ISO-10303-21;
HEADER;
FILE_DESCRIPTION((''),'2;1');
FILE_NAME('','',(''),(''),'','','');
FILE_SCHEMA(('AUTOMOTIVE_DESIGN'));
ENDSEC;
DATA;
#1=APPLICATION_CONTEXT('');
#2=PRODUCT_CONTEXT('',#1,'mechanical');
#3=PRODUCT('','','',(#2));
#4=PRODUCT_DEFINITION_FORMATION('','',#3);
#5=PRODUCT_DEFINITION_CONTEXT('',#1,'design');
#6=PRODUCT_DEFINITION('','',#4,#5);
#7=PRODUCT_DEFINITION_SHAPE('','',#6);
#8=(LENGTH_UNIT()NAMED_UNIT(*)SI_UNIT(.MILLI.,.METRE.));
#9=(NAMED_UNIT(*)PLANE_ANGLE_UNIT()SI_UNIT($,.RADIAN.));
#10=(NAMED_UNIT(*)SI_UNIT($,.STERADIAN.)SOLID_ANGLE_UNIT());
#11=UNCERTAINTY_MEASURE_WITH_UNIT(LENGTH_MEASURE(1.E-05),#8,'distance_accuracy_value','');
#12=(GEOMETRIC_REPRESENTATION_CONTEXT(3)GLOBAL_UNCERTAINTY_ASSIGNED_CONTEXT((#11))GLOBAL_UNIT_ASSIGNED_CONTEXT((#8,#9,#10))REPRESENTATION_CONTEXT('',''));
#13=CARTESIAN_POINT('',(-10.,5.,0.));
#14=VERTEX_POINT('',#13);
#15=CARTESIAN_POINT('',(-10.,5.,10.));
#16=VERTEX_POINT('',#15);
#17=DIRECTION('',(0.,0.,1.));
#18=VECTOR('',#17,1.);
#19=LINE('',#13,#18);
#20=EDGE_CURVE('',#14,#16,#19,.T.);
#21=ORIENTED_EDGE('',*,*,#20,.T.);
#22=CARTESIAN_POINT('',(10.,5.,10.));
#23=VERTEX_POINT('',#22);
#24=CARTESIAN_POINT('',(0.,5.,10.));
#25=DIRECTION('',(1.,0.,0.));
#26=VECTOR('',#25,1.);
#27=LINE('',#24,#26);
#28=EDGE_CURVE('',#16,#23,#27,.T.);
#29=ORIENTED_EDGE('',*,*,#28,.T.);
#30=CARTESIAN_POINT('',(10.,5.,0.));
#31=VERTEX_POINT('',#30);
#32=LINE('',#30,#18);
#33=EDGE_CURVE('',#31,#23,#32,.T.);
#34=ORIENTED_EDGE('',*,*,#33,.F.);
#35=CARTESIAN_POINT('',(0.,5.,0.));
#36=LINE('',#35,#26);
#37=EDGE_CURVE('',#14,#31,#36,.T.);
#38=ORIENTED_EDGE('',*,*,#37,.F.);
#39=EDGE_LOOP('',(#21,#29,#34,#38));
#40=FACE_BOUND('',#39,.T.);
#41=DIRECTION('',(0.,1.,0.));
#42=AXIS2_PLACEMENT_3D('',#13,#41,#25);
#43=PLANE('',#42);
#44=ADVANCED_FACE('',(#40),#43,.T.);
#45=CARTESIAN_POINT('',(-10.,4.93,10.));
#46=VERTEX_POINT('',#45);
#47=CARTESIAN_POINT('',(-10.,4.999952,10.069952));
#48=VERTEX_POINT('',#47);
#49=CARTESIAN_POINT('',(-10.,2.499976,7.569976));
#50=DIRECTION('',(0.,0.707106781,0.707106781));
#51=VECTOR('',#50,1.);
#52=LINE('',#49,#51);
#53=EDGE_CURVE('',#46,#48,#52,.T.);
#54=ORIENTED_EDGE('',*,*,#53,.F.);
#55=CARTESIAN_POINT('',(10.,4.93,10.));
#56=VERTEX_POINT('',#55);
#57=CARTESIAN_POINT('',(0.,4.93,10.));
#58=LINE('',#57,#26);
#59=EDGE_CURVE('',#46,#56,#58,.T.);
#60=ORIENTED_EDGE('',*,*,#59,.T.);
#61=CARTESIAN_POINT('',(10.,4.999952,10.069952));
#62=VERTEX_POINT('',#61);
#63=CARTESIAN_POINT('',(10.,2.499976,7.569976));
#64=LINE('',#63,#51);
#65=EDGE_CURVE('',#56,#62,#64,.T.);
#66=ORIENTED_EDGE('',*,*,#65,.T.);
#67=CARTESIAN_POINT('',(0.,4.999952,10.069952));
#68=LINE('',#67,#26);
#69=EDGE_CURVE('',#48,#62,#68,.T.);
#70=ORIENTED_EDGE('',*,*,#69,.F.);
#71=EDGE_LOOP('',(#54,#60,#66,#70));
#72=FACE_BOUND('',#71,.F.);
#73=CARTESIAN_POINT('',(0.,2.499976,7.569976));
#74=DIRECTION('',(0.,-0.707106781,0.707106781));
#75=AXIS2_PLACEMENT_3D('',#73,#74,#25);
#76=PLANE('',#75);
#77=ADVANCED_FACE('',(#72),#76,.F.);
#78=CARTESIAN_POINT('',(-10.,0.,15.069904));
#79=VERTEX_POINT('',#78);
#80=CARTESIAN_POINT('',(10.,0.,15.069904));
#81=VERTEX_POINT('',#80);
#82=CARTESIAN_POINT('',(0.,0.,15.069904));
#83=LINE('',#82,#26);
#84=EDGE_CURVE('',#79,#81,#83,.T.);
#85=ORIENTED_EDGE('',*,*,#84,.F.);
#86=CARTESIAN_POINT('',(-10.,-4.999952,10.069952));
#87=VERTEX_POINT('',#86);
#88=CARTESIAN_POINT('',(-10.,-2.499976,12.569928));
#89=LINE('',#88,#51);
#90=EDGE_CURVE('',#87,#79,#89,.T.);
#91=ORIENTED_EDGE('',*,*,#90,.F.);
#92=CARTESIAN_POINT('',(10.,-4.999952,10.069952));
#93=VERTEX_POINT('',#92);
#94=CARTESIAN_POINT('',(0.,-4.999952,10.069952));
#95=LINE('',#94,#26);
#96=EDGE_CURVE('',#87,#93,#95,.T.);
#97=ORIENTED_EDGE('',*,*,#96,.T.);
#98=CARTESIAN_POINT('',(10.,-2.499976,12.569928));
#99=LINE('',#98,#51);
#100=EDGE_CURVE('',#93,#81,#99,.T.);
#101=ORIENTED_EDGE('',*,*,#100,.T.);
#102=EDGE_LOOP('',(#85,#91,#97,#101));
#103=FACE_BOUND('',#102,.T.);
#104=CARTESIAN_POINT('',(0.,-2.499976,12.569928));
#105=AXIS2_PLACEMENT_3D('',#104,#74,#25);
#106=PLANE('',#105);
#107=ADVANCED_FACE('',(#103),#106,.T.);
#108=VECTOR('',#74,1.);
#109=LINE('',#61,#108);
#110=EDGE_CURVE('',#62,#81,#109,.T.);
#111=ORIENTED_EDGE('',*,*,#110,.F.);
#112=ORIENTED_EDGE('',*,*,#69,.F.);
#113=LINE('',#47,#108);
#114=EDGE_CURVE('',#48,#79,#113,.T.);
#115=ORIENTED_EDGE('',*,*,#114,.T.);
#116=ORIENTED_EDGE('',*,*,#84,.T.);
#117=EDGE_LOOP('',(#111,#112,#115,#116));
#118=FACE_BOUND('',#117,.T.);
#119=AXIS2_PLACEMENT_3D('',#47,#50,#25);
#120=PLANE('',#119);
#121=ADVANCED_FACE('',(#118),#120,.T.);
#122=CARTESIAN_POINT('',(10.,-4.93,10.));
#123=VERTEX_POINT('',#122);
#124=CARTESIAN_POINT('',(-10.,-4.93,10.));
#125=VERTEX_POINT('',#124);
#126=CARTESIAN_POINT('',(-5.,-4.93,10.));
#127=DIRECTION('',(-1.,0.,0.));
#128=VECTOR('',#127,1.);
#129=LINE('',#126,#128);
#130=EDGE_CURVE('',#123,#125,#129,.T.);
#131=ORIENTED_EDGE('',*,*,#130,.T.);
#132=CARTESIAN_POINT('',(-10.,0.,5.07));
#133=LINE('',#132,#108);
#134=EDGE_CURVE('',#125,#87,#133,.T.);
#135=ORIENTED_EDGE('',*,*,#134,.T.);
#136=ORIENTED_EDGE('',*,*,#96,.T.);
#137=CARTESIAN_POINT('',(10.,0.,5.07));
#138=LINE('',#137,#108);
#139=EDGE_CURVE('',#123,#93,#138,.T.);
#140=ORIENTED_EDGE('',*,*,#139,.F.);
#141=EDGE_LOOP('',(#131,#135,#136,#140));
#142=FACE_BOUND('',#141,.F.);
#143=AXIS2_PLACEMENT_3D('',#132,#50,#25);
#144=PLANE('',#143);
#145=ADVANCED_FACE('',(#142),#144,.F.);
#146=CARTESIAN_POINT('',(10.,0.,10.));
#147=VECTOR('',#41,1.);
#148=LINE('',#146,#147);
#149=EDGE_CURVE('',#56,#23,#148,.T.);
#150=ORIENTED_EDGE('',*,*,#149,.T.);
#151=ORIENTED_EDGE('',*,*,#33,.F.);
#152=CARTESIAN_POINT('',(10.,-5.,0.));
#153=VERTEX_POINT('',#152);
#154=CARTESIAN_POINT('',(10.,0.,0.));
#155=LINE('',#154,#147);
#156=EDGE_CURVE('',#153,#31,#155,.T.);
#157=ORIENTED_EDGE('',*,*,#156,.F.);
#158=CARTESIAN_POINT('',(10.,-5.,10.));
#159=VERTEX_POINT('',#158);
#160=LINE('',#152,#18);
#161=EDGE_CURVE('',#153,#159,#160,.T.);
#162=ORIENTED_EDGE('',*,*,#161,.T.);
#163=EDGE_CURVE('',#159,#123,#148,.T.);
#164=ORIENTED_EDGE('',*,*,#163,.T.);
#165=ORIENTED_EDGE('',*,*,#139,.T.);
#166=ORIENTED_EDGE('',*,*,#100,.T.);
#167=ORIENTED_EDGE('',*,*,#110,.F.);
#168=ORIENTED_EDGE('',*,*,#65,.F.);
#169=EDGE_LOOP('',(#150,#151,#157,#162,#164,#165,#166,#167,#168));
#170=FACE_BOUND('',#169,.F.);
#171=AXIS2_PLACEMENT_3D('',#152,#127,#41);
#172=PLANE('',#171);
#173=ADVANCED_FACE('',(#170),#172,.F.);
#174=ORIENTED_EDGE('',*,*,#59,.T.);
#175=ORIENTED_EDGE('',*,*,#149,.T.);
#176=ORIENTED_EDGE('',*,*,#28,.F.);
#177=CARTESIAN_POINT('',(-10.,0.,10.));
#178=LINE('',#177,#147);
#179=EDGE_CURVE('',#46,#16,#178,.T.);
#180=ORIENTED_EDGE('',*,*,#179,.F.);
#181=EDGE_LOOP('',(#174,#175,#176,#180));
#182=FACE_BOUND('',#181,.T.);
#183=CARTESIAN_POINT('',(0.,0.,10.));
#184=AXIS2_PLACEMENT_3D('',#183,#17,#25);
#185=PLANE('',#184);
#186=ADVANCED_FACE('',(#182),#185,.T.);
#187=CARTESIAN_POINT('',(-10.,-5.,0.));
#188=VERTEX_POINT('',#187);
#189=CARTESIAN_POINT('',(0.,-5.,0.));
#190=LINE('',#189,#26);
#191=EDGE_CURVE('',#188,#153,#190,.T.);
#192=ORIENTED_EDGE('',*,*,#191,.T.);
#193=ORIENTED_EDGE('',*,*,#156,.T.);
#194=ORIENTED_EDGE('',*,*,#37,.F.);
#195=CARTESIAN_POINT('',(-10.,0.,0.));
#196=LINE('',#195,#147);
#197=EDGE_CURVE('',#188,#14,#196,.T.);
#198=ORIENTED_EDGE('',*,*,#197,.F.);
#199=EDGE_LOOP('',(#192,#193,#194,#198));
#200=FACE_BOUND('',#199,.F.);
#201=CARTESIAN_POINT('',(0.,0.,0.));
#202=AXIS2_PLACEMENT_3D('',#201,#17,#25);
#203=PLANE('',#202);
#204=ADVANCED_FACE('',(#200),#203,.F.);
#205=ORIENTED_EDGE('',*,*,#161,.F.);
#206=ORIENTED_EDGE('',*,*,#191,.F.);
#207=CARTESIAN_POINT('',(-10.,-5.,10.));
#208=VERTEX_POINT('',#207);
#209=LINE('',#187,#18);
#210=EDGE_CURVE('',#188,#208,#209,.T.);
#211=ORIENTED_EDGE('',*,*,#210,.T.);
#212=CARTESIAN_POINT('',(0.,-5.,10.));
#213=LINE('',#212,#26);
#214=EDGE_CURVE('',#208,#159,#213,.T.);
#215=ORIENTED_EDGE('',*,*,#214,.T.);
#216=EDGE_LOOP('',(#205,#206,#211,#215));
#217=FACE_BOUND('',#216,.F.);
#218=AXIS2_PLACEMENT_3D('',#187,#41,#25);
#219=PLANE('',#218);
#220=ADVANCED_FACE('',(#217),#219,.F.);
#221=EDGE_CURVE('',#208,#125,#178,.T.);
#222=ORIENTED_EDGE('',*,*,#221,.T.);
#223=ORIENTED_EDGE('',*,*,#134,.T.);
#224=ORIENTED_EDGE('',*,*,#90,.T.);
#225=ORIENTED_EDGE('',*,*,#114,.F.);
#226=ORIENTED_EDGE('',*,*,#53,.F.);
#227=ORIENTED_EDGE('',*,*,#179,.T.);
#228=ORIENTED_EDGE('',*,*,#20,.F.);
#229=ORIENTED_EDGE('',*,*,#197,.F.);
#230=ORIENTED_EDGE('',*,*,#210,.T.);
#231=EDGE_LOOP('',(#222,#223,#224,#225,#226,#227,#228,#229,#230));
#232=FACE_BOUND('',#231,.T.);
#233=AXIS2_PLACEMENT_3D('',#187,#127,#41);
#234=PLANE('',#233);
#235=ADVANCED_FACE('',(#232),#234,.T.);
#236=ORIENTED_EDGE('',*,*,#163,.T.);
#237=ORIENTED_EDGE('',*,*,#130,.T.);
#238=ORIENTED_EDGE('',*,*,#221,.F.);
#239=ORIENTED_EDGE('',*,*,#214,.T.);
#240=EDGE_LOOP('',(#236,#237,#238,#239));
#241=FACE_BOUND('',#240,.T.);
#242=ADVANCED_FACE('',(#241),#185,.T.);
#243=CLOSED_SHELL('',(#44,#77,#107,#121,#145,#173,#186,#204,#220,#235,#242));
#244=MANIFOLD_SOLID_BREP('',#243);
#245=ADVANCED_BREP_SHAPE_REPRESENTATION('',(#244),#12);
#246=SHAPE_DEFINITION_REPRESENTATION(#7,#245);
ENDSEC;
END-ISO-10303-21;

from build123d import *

# Parameters (mm, degrees)
BOX002_W               = 20
BOX002_H               = 7.071
BOX002_DEPTH           = 7.071
BOX002_PLACEMENT_ANGLE = 45
BOX001_W               = 20
BOX001_H               = 10
BOX001_DEPTH           = 10


with BuildPart() as cub002:
    # Box002 → Box002 (new body)
    with BuildSketch(Plane.XY):
        with Locations((10, 3.5355)):
            Rectangle(BOX002_W, BOX002_H)
    extrude(amount=BOX002_DEPTH)


with BuildPart() as cub002_1:
    # Box002 placement: moved
    add(cub002.part.moved(Location((-10, 0, 5.07))).rotate(Axis((-10, 0, 5.07), (1, 0, 0)), BOX002_PLACEMENT_ANGLE))


with BuildPart() as fusion:
    # Box001 → Box001 (new body)
    with BuildSketch(Plane(origin=(-10, -5, 0), x_dir=(1, 0, 0), z_dir=(0, 0, 1))):
        with Locations((10, 5)):
            Rectangle(BOX001_W, BOX001_H)
    extrude(amount=BOX001_DEPTH)

    # Fusion: union Cub002
    add(cub002_1.part)


solid = fusion.part
